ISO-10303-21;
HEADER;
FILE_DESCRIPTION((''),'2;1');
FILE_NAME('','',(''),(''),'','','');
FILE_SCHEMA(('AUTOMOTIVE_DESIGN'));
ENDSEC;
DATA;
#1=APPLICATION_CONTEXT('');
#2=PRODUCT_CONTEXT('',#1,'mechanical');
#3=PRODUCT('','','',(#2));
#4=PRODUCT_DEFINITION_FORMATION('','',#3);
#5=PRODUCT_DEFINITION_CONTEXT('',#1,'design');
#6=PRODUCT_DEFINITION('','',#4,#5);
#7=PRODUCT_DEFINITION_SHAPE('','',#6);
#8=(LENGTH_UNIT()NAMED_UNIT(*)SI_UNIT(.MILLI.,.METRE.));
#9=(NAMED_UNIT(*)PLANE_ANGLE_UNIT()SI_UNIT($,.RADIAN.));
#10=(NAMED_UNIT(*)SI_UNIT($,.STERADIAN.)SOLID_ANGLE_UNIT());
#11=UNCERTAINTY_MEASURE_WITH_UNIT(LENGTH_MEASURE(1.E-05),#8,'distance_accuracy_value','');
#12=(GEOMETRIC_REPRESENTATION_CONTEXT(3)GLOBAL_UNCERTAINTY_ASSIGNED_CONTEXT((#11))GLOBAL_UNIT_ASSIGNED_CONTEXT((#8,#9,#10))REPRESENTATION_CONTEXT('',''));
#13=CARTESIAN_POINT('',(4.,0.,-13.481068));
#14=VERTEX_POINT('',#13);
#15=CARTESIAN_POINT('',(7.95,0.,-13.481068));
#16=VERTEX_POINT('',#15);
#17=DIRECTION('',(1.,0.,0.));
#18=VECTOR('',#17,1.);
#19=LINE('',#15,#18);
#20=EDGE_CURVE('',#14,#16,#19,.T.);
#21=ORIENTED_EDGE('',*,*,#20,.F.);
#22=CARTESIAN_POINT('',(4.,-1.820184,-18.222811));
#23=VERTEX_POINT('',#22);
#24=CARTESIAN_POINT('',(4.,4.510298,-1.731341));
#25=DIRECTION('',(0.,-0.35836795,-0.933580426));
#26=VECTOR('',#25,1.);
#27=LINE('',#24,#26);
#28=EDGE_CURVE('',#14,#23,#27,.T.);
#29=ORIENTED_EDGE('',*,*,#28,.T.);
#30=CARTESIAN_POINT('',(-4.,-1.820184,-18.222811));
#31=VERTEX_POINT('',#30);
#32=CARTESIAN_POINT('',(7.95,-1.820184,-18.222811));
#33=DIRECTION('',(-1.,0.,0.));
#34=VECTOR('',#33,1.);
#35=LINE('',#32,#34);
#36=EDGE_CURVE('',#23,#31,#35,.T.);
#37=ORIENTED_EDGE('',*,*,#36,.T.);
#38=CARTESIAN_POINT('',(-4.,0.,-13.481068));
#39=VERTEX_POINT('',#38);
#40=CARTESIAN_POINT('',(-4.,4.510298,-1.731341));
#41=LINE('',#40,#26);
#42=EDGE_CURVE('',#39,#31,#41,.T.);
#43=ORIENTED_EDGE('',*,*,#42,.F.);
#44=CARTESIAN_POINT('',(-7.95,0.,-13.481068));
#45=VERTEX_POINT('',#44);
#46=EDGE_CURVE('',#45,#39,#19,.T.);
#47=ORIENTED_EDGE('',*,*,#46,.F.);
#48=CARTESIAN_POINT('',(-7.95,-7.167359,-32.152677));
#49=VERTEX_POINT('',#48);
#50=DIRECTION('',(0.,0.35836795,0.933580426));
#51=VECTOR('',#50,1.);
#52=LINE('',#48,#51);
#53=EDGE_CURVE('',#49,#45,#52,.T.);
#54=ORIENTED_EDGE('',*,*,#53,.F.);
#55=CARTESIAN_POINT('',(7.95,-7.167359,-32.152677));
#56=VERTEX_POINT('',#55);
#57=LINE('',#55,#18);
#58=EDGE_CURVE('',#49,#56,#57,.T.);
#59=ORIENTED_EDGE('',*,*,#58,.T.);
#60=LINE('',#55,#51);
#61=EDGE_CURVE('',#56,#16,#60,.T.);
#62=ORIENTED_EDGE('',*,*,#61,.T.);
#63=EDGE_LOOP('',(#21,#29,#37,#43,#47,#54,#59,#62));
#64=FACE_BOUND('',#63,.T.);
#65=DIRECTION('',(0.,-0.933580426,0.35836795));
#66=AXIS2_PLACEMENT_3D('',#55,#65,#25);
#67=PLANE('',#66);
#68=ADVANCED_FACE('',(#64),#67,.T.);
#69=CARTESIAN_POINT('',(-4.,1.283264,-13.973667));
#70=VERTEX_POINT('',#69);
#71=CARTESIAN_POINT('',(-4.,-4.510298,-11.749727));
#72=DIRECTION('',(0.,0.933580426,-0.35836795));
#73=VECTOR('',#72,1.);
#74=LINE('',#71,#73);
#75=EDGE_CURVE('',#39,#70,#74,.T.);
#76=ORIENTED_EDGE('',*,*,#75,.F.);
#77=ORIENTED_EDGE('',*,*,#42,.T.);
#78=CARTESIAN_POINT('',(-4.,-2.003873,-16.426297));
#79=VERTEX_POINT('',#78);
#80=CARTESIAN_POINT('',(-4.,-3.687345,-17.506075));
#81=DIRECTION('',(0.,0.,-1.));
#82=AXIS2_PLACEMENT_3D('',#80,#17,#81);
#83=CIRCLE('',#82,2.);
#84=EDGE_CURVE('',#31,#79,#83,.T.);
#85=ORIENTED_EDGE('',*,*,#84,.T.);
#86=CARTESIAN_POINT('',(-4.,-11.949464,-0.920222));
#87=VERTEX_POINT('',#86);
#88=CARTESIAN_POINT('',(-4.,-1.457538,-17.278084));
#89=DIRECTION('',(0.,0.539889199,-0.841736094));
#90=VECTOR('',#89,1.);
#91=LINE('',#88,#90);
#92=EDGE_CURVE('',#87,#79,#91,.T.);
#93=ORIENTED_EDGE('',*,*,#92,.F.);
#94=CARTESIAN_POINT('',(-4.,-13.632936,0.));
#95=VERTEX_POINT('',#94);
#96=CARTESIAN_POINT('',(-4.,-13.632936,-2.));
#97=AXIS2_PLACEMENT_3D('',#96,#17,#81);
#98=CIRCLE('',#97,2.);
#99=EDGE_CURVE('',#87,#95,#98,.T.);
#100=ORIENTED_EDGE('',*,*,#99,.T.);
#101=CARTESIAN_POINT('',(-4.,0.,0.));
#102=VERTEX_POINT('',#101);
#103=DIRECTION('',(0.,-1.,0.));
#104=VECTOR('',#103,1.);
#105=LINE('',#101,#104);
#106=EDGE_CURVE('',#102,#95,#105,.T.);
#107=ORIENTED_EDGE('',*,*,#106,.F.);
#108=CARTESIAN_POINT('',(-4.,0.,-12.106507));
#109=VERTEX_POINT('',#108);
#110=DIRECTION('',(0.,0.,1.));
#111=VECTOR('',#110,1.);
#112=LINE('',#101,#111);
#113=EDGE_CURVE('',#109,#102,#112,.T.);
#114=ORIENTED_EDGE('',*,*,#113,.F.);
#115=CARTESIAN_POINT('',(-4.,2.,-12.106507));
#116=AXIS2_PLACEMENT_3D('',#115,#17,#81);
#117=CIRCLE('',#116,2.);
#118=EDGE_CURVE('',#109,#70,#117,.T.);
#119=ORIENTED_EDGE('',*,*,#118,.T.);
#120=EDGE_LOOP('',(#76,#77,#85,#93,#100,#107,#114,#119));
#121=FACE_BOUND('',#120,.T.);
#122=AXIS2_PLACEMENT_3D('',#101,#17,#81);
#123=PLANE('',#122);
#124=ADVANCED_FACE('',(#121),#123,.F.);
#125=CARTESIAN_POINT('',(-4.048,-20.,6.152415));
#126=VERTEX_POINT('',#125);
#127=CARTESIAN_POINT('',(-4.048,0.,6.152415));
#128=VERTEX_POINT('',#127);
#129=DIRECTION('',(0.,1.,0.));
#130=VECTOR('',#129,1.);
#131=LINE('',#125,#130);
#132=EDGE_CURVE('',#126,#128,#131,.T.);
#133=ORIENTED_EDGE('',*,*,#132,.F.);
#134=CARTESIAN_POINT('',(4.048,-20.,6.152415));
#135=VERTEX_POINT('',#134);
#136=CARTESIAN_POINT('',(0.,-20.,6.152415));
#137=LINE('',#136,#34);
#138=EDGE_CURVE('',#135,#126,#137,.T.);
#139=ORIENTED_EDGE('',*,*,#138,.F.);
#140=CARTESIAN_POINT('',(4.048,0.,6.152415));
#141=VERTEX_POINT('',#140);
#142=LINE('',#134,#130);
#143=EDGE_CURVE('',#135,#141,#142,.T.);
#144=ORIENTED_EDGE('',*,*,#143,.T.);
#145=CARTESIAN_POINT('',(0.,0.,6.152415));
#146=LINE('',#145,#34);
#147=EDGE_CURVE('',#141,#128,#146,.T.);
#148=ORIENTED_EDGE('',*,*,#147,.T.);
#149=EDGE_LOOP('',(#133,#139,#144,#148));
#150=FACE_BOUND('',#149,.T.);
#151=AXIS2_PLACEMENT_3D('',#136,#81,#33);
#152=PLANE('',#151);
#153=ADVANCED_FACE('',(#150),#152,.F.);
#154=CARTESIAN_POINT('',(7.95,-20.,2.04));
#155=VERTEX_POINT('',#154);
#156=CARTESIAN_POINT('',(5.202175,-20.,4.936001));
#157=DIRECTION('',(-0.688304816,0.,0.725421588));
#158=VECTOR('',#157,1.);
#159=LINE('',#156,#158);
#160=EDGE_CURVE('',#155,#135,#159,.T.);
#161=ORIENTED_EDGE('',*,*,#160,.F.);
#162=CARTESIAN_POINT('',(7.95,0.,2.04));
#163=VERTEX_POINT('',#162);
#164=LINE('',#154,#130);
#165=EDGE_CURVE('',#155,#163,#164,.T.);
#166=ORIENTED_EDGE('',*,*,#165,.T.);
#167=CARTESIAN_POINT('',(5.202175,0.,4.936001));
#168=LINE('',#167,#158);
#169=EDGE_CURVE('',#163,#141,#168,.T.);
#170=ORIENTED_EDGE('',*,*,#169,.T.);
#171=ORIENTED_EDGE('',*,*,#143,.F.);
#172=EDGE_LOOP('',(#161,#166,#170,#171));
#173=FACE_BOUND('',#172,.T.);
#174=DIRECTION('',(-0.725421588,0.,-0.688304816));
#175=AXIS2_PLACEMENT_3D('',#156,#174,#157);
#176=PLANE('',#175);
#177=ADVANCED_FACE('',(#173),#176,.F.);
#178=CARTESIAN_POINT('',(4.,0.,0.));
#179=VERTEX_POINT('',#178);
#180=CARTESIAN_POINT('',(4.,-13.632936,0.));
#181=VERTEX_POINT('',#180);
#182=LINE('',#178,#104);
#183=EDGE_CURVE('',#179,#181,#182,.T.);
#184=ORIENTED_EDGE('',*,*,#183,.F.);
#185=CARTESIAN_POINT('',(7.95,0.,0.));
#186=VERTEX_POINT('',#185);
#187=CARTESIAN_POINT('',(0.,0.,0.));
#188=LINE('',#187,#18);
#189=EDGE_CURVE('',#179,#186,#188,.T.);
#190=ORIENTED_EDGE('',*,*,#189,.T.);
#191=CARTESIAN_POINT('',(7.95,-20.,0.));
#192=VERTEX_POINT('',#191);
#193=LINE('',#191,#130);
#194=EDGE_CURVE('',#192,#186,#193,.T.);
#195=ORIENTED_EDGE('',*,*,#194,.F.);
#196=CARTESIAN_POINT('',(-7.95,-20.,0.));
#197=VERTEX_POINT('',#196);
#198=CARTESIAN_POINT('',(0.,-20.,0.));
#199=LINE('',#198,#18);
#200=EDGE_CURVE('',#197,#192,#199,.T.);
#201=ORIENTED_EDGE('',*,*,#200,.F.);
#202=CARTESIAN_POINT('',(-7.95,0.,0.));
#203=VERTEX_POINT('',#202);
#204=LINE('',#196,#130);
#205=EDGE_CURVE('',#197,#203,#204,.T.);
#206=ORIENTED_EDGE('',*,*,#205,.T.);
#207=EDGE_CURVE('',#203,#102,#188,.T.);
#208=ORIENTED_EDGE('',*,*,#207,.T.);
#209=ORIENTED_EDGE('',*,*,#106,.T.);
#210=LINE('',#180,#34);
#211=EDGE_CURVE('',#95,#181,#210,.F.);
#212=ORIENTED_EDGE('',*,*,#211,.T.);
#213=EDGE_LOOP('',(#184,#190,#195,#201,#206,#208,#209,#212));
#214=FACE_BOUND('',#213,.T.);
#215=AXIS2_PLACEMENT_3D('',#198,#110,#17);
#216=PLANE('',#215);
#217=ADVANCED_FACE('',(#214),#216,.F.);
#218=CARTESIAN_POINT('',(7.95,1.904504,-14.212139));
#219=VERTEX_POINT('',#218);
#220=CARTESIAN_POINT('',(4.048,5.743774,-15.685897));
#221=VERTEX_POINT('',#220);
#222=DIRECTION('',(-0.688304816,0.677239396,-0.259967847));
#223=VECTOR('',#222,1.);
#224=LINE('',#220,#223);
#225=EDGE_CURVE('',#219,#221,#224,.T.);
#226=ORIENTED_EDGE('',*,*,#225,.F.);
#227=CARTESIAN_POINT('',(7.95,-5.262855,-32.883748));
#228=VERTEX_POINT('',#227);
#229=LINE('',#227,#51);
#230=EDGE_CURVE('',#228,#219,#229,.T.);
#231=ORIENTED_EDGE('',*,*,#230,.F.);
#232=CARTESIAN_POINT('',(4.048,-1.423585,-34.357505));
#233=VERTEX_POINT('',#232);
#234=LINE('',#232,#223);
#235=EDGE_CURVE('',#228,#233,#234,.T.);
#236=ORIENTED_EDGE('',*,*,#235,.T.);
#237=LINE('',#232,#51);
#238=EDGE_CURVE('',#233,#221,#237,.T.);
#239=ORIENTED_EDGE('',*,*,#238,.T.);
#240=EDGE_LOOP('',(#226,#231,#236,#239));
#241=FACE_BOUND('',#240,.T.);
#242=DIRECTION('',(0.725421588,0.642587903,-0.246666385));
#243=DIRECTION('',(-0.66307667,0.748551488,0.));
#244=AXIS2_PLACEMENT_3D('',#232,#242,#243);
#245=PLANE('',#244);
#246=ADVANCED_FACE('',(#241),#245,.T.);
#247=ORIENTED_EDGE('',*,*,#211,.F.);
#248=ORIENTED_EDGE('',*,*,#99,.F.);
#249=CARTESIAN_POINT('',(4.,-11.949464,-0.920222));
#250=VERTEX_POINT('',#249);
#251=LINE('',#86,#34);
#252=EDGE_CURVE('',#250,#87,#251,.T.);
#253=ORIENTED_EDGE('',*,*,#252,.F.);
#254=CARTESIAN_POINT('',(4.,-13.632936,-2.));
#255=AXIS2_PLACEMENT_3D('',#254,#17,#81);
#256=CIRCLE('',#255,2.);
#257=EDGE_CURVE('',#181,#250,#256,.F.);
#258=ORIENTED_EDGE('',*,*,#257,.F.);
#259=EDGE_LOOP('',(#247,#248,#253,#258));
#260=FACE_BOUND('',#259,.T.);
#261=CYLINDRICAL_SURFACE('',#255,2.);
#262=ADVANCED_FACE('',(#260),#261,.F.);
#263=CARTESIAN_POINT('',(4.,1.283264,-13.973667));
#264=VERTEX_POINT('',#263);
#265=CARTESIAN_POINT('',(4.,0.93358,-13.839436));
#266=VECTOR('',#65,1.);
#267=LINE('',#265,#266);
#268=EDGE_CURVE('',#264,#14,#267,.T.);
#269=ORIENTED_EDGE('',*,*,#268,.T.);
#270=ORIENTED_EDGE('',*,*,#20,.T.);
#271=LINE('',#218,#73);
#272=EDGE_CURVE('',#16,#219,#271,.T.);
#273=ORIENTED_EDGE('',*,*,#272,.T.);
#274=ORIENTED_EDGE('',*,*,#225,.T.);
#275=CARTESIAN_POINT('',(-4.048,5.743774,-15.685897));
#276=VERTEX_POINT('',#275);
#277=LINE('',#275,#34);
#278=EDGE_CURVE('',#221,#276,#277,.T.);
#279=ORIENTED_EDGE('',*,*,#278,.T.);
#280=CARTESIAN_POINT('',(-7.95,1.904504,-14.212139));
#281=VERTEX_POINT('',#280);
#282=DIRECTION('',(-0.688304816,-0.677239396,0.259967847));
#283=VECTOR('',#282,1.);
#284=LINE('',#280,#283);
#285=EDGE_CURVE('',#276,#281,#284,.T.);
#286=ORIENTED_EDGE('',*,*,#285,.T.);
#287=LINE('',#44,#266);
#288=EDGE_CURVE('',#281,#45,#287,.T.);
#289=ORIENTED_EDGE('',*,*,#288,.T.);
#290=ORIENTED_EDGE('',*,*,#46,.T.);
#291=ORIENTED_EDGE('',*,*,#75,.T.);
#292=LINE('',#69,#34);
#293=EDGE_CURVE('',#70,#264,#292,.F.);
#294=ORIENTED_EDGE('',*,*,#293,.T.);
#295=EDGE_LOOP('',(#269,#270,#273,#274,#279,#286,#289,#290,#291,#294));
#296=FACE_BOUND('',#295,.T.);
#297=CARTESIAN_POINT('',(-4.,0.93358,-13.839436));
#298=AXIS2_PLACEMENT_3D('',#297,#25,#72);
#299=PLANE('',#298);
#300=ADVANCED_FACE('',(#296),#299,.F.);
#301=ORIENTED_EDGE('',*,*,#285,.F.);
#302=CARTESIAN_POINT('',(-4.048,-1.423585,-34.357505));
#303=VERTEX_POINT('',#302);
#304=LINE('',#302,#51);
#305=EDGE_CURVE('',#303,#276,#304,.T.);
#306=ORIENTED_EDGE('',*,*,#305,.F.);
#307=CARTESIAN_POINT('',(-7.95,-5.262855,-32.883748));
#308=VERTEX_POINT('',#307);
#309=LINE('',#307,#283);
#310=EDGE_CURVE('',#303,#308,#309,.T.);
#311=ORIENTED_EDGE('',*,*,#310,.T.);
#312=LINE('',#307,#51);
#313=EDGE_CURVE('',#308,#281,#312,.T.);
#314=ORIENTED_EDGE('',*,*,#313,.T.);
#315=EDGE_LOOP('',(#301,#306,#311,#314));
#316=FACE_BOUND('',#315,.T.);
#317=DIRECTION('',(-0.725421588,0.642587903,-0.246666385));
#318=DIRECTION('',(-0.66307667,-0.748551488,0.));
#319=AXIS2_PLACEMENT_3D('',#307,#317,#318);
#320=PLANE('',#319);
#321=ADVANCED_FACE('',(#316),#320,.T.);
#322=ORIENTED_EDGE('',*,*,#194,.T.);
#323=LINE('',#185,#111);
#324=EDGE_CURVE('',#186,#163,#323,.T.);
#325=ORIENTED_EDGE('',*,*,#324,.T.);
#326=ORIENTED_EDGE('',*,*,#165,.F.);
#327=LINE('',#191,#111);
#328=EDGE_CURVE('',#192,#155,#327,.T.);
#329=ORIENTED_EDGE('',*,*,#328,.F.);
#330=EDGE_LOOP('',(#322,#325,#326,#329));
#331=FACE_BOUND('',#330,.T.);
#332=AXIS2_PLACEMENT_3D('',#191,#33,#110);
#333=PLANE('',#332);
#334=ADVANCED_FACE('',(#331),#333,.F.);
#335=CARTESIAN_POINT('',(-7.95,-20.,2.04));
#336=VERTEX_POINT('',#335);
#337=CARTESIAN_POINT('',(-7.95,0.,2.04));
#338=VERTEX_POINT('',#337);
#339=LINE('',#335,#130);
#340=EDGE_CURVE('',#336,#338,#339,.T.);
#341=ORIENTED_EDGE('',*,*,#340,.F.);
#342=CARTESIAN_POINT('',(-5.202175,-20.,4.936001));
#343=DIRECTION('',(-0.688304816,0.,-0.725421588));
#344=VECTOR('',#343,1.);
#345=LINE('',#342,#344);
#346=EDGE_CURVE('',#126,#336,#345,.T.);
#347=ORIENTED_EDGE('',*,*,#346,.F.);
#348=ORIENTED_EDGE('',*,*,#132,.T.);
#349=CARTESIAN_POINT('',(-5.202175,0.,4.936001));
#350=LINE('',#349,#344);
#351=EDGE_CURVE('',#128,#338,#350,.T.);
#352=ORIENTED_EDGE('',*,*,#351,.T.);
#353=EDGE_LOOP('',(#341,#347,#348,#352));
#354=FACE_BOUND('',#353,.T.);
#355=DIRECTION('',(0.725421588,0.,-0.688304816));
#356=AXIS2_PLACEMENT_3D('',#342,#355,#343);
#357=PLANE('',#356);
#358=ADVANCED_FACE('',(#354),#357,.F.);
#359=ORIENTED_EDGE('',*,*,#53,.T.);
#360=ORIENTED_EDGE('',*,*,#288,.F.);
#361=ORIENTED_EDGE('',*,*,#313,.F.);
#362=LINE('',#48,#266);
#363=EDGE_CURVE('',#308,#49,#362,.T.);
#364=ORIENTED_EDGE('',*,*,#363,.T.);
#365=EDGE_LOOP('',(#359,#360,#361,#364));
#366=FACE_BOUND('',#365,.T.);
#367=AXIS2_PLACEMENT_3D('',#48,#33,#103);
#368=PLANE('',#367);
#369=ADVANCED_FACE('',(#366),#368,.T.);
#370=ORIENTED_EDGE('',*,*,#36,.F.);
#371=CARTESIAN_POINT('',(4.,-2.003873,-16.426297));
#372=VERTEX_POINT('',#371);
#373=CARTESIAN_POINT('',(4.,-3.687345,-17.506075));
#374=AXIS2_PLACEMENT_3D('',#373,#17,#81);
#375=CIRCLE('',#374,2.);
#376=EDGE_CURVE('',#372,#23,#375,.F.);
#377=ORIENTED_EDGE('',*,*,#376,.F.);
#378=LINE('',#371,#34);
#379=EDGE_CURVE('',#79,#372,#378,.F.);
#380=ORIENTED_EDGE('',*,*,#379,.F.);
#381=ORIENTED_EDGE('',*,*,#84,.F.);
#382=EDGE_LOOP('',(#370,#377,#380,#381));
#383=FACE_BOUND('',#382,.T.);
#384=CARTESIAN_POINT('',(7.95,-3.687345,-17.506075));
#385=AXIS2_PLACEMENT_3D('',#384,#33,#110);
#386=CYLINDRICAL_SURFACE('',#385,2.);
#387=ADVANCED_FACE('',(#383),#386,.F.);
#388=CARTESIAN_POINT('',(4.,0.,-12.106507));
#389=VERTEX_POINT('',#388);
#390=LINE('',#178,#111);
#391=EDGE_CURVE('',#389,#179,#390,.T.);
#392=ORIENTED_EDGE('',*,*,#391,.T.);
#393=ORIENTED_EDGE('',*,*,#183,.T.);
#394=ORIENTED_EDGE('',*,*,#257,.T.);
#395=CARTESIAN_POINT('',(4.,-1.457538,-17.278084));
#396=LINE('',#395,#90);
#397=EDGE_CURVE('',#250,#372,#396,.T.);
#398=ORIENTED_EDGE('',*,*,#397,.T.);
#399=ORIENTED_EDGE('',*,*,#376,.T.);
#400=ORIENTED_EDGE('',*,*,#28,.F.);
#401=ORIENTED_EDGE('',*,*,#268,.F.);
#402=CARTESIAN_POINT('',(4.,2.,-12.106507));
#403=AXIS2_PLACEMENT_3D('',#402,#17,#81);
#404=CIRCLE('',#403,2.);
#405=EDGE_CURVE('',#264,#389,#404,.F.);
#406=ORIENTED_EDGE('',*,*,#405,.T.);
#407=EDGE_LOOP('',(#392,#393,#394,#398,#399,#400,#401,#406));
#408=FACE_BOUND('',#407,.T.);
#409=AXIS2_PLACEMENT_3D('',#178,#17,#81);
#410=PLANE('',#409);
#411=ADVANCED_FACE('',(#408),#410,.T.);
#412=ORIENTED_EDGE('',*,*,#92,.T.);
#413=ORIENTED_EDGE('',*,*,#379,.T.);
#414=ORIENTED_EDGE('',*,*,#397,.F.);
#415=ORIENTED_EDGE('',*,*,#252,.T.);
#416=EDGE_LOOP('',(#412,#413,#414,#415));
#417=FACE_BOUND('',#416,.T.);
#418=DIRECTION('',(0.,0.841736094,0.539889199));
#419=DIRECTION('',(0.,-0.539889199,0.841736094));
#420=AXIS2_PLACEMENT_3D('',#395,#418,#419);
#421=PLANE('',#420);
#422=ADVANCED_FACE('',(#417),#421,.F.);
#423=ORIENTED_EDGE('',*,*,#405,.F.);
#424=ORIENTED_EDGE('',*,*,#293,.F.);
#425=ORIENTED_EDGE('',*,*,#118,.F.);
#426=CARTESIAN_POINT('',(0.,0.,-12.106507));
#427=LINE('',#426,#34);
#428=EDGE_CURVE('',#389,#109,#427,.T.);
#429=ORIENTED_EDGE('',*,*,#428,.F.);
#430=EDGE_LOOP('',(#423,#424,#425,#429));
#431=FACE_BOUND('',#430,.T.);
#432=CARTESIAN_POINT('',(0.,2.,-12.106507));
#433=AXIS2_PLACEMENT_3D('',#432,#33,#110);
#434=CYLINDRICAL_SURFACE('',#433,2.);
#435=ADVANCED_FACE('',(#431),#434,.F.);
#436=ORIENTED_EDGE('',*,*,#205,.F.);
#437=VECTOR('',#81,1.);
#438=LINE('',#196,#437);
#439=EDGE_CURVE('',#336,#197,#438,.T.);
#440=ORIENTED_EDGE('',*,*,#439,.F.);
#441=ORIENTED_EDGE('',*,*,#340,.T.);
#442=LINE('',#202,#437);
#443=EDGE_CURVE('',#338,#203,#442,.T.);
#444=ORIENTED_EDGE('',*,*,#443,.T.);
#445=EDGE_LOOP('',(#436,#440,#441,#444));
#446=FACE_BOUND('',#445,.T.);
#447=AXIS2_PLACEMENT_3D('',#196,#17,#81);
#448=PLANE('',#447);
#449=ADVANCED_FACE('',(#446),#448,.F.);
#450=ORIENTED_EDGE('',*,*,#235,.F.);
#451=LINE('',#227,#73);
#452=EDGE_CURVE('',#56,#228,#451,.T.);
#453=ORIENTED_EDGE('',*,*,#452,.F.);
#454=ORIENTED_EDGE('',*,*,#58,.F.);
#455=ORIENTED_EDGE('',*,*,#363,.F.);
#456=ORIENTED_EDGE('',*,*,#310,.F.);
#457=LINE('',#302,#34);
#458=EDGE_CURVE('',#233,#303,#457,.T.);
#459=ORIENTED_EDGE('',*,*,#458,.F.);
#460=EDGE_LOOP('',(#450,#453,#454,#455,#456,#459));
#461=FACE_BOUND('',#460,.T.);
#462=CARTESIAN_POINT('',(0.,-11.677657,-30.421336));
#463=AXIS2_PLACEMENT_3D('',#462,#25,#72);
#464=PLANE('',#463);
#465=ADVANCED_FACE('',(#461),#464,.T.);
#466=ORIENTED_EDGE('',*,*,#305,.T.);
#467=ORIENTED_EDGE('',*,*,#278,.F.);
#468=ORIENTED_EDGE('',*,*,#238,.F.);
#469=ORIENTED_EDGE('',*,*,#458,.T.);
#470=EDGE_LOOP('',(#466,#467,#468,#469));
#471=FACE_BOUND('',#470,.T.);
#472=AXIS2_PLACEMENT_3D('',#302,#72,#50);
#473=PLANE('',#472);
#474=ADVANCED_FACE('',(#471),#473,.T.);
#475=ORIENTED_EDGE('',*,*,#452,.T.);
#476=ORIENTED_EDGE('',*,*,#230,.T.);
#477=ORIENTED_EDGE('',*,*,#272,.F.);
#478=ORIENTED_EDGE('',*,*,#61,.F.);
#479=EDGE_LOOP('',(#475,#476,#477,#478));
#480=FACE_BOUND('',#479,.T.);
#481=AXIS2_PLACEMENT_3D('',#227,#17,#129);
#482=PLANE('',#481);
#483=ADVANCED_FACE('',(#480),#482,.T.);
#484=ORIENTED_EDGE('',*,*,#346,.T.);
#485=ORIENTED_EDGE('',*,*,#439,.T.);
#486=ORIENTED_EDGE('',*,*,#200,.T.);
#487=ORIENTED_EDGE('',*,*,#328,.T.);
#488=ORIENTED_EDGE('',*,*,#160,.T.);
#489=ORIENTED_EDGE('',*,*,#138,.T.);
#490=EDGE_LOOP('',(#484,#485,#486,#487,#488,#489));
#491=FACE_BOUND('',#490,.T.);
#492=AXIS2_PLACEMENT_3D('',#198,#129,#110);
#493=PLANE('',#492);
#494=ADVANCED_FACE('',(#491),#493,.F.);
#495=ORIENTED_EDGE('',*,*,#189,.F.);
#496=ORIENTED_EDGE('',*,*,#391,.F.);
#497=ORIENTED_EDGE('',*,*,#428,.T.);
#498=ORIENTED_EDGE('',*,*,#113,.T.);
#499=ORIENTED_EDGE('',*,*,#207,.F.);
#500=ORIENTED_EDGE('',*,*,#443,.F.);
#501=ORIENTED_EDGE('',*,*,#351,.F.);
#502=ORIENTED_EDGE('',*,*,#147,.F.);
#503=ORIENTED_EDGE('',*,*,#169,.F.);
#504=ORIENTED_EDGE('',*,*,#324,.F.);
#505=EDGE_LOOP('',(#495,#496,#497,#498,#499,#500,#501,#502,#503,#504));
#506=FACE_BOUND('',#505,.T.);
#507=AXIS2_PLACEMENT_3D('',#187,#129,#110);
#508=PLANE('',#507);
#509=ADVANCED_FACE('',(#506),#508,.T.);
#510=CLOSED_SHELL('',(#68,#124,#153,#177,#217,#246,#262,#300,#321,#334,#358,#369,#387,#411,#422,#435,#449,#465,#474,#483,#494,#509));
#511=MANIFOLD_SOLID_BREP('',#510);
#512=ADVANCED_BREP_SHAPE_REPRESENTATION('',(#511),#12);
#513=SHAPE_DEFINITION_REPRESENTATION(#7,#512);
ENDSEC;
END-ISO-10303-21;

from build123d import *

# Parameters (mm, degrees)
BOSS_EXTRUDE1_DEPTH = 20
BOSS_EXTRUDE3_DEPTH = 4
SKETCH11_W          = 8
SKETCH11_H          = 4.067153682
BOSS_EXTRUDE8_DEPTH = 1
BOSS_EXTRUDE7_DEPTH = 20
FILLET1_R           = 2


with BuildPart() as part:
    # Sketch1 → Boss-Extrude1 (new body)
    with BuildSketch(Plane(origin=(0, 0, 0), x_dir=(1, 0, 0), z_dir=(0, 1, 0))):
        Polygon((7.95, 0), (7.95, -2.04), (4.048, -6.152414984), (-4.048, -6.152414984), (-7.95, -2.04), (-7.95, 0), align=None)
    extrude(amount=-BOSS_EXTRUDE1_DEPTH)

    # Sketch4 → Boss-Extrude3 (add, symmetric)
    with BuildSketch(Plane(origin=(0, 0, 0), x_dir=(0, 0, -1), z_dir=(1, 0, 0))):
        Polygon((13.481068451, 0), (0, 0), (0, -12.539693486), (17.27808352, -1.457537526), align=None)
    extrude(amount=BOSS_EXTRUDE3_DEPTH, both=True)

    # Sketch11 → Boss-Extrude8 (add)
    with BuildSketch(Plane(origin=(0, 4.510297753, -1.731341095), x_dir=(1, 0, 0), z_dir=(0, 0.933580426, -0.35836795))):
        with Locations((0, 14.619238475)):
            Rectangle(SKETCH11_W, SKETCH11_H)
    extrude(amount=BOSS_EXTRUDE8_DEPTH)

    # Sketch10 → Boss-Extrude7 (add)
    with BuildSketch(Plane(origin=(0, -4.510297753, -11.749727356), x_dir=(1, 0, 0), z_dir=(0, 0.35836795, 0.933580426))):
        Polygon((-7.95, 4.831182858), (-7.95, 6.871182858), (-4.048, 10.983597842), (4.048, 10.983597842), (7.95, 6.871182858), (7.95, 4.831182858), align=None)
    extrude(amount=-BOSS_EXTRUDE7_DEPTH)

    # Fillet1
    fillet1_edges = [part.edges().sort_by_distance(p)[0] for p in [
        (0, -12.539693486, 0),
        (0, -1.457537526, -17.27808352),
        (0, 0, -13.481068451),
    ]]
    fillet(fillet1_edges, radius=FILLET1_R)


solid = part.part
